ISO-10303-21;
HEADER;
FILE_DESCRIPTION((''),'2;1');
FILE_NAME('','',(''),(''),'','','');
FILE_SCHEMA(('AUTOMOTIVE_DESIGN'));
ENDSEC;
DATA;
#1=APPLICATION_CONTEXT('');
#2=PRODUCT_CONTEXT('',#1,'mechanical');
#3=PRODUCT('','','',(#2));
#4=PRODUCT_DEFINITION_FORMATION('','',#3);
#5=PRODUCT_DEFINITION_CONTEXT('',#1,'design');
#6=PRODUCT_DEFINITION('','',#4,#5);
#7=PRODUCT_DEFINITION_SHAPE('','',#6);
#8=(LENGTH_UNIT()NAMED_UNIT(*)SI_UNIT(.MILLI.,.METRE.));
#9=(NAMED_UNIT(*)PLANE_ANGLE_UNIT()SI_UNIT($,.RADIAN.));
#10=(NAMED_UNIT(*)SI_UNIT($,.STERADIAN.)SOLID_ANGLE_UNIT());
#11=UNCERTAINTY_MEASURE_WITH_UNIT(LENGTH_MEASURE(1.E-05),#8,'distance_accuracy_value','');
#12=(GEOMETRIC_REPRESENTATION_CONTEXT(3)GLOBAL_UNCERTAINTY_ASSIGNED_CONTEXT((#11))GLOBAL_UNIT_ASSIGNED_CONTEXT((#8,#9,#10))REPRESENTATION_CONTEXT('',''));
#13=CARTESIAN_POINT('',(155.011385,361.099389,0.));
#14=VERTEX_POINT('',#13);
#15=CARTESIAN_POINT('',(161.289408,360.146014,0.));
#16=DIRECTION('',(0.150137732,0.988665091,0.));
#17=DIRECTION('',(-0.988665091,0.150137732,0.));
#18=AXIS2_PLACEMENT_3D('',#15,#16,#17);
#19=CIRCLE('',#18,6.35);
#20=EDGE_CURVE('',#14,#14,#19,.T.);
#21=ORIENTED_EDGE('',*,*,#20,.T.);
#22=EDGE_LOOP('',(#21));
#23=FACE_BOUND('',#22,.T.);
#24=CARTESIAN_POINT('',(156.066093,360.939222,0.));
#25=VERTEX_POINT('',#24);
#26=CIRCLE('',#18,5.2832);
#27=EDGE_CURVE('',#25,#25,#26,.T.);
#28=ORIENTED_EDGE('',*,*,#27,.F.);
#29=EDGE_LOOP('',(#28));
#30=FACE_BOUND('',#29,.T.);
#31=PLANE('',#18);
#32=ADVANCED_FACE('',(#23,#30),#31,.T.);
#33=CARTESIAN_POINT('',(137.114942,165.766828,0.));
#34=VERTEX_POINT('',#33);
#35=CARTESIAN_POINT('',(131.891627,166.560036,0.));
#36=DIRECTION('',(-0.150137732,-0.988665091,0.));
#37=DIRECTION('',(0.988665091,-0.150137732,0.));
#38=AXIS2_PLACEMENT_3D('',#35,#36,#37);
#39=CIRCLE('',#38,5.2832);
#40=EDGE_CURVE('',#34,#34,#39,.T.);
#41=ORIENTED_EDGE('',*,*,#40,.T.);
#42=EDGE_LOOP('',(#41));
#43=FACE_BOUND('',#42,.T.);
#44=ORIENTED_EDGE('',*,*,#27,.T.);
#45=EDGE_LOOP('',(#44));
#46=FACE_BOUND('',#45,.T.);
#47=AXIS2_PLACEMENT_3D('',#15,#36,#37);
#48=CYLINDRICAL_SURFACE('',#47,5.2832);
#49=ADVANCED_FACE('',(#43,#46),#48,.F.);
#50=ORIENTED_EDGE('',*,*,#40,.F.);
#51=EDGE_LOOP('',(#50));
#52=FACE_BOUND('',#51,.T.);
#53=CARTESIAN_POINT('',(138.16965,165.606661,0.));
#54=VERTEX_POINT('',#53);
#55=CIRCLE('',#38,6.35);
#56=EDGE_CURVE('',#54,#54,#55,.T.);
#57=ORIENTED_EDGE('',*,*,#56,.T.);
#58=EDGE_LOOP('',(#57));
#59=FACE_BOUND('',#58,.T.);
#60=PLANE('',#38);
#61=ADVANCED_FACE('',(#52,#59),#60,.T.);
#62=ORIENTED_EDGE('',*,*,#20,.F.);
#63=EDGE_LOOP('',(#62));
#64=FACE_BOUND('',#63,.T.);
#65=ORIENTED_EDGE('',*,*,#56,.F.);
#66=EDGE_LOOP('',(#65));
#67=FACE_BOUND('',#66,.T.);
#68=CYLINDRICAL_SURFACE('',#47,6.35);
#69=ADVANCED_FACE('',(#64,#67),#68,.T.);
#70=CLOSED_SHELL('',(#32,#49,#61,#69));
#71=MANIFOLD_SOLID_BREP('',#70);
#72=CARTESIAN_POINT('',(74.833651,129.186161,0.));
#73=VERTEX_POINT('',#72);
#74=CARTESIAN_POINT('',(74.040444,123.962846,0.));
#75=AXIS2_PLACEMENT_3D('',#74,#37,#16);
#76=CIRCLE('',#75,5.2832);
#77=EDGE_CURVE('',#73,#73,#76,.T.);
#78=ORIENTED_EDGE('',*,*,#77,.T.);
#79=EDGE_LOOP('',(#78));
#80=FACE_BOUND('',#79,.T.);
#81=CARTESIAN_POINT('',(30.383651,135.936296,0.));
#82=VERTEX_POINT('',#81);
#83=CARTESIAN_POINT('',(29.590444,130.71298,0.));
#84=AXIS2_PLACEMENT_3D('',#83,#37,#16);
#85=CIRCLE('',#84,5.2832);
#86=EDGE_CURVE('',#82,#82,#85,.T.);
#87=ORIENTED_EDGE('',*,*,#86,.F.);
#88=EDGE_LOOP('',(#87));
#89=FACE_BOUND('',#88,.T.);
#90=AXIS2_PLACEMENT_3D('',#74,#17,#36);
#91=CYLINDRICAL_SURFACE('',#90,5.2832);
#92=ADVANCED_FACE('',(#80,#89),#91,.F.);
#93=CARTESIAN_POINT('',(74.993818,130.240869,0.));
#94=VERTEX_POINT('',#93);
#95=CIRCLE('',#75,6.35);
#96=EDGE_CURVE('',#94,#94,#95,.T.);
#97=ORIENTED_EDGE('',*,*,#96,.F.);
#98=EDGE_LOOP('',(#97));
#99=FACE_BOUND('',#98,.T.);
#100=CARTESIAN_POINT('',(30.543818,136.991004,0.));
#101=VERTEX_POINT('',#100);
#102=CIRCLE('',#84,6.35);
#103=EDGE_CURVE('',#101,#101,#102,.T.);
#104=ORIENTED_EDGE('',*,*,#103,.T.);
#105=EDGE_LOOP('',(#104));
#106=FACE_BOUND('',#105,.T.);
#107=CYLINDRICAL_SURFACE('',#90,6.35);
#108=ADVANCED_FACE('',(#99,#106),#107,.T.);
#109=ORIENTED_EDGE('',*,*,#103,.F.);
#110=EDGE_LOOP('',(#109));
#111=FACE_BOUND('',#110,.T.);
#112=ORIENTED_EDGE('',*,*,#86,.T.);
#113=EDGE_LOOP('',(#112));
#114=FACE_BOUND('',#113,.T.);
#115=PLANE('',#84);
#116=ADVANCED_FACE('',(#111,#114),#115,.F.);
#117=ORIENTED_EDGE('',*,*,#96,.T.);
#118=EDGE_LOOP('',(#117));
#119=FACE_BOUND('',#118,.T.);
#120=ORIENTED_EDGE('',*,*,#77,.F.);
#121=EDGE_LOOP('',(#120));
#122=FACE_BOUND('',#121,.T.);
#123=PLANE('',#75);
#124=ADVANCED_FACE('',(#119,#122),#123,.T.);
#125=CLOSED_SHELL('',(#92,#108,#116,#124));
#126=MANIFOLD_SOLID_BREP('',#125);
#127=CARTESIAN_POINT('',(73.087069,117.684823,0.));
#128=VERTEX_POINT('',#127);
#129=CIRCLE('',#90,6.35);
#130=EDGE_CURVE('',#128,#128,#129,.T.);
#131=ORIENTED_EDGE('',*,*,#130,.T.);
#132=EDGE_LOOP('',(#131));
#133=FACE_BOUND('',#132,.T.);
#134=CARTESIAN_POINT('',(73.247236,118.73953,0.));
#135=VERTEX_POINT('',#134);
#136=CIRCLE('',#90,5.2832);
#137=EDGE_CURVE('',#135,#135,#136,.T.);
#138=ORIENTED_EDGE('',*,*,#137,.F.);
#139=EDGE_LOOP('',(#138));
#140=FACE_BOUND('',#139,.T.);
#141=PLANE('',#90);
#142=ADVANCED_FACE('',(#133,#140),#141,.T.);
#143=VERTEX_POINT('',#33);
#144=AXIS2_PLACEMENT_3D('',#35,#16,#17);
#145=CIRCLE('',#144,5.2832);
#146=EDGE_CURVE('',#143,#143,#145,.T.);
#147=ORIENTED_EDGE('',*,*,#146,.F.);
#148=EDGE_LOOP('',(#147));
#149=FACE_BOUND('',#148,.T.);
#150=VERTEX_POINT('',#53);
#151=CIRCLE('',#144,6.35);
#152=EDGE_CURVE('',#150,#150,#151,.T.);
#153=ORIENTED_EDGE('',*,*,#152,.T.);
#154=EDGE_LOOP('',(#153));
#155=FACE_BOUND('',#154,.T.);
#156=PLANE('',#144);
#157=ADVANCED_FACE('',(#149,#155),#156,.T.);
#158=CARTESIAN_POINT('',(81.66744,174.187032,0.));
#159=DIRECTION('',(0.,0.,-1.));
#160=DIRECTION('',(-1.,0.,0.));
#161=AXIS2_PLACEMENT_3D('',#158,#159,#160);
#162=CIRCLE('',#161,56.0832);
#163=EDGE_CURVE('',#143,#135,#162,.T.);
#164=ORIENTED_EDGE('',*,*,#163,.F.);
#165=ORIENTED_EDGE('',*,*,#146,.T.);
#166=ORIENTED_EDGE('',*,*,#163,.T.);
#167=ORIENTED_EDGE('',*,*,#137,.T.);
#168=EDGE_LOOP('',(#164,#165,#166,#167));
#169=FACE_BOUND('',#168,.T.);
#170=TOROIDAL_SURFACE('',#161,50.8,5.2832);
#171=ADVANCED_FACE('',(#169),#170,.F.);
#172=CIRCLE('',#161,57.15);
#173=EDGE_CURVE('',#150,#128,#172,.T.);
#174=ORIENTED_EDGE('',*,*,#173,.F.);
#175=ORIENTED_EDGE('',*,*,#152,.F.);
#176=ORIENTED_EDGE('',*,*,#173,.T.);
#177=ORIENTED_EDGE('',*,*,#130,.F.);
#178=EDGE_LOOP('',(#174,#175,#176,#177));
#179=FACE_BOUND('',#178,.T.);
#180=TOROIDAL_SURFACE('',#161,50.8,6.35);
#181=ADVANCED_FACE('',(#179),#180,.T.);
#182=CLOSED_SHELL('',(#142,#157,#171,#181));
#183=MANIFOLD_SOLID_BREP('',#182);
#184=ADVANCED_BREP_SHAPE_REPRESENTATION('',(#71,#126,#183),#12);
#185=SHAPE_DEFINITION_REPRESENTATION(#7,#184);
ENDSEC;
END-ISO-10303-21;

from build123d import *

# Parameters (mm, degrees)
SKETCH11_R                = 6.35
SKETCH11_R_2              = 5.2832
PIPE_0_5_SCH_40_1_DEPTH   = 44.95961314
SKETCH11_ON_SEGMENT_2_R   = 6.35
SKETCH11_ON_SEGMENT_2_R_2 = 5.2832
PIPE_0_5_SCH_40_1_2_ANGLE = 90
SKETCH11_ON_SEGMENT_3_R   = 6.35
SKETCH11_ON_SEGMENT_3_R_2 = 5.2832
PIPE_0_5_SCH_40_1_3_DEPTH = 195.80541507


with BuildPart() as part:
    # Sketch11 → Pipe 0.5 SCH 40(1) (new body)
    with BuildSketch(Plane(origin=(29.590443683, 130.712980208, 0), x_dir=(0.15013773190138419, 0.9886650906447078, 0), z_dir=(0.9886650906447078, -0.15013773190138419, 0))):
        Circle(SKETCH11_R)
        Circle(SKETCH11_R_2, mode=Mode.SUBTRACT)
    extrude(amount=PIPE_0_5_SCH_40_1_DEPTH)


with BuildPart() as body_2:
    # Sketch11 on segment 2 (carried to the start of arc 2) → Pipe 0.5 SCH 40_1 2 (revolve)
    with BuildSketch(Plane(origin=(74.040443683, 123.962845864, 0), x_dir=(0.150137732, 0.988665091, 0), z_dir=(0.988665091, -0.150137732, 0))):
        Circle(SKETCH11_ON_SEGMENT_2_R)
        Circle(SKETCH11_ON_SEGMENT_2_R_2, mode=Mode.SUBTRACT)
    revolve(axis=Axis((81.667440463, 174.187032469, 0), (0, 0, 1)), revolution_arc=PIPE_0_5_SCH_40_1_2_ANGLE)


with BuildPart() as body_3:
    # Sketch11 on segment 3 (carried to segment 3) → Pipe 0.5 SCH 40_1 3 (new body)
    with BuildSketch(Plane(origin=(131.891627068, 166.560035688, 0), x_dir=(-0.988665091, 0.150137732, 0), z_dir=(0.150137732, 0.988665091, 0))):
        Circle(SKETCH11_ON_SEGMENT_3_R)
        Circle(SKETCH11_ON_SEGMENT_3_R_2, mode=Mode.SUBTRACT)
    extrude(amount=PIPE_0_5_SCH_40_1_3_DEPTH)


solid = Compound([part.part, body_2.part, body_3.part])
